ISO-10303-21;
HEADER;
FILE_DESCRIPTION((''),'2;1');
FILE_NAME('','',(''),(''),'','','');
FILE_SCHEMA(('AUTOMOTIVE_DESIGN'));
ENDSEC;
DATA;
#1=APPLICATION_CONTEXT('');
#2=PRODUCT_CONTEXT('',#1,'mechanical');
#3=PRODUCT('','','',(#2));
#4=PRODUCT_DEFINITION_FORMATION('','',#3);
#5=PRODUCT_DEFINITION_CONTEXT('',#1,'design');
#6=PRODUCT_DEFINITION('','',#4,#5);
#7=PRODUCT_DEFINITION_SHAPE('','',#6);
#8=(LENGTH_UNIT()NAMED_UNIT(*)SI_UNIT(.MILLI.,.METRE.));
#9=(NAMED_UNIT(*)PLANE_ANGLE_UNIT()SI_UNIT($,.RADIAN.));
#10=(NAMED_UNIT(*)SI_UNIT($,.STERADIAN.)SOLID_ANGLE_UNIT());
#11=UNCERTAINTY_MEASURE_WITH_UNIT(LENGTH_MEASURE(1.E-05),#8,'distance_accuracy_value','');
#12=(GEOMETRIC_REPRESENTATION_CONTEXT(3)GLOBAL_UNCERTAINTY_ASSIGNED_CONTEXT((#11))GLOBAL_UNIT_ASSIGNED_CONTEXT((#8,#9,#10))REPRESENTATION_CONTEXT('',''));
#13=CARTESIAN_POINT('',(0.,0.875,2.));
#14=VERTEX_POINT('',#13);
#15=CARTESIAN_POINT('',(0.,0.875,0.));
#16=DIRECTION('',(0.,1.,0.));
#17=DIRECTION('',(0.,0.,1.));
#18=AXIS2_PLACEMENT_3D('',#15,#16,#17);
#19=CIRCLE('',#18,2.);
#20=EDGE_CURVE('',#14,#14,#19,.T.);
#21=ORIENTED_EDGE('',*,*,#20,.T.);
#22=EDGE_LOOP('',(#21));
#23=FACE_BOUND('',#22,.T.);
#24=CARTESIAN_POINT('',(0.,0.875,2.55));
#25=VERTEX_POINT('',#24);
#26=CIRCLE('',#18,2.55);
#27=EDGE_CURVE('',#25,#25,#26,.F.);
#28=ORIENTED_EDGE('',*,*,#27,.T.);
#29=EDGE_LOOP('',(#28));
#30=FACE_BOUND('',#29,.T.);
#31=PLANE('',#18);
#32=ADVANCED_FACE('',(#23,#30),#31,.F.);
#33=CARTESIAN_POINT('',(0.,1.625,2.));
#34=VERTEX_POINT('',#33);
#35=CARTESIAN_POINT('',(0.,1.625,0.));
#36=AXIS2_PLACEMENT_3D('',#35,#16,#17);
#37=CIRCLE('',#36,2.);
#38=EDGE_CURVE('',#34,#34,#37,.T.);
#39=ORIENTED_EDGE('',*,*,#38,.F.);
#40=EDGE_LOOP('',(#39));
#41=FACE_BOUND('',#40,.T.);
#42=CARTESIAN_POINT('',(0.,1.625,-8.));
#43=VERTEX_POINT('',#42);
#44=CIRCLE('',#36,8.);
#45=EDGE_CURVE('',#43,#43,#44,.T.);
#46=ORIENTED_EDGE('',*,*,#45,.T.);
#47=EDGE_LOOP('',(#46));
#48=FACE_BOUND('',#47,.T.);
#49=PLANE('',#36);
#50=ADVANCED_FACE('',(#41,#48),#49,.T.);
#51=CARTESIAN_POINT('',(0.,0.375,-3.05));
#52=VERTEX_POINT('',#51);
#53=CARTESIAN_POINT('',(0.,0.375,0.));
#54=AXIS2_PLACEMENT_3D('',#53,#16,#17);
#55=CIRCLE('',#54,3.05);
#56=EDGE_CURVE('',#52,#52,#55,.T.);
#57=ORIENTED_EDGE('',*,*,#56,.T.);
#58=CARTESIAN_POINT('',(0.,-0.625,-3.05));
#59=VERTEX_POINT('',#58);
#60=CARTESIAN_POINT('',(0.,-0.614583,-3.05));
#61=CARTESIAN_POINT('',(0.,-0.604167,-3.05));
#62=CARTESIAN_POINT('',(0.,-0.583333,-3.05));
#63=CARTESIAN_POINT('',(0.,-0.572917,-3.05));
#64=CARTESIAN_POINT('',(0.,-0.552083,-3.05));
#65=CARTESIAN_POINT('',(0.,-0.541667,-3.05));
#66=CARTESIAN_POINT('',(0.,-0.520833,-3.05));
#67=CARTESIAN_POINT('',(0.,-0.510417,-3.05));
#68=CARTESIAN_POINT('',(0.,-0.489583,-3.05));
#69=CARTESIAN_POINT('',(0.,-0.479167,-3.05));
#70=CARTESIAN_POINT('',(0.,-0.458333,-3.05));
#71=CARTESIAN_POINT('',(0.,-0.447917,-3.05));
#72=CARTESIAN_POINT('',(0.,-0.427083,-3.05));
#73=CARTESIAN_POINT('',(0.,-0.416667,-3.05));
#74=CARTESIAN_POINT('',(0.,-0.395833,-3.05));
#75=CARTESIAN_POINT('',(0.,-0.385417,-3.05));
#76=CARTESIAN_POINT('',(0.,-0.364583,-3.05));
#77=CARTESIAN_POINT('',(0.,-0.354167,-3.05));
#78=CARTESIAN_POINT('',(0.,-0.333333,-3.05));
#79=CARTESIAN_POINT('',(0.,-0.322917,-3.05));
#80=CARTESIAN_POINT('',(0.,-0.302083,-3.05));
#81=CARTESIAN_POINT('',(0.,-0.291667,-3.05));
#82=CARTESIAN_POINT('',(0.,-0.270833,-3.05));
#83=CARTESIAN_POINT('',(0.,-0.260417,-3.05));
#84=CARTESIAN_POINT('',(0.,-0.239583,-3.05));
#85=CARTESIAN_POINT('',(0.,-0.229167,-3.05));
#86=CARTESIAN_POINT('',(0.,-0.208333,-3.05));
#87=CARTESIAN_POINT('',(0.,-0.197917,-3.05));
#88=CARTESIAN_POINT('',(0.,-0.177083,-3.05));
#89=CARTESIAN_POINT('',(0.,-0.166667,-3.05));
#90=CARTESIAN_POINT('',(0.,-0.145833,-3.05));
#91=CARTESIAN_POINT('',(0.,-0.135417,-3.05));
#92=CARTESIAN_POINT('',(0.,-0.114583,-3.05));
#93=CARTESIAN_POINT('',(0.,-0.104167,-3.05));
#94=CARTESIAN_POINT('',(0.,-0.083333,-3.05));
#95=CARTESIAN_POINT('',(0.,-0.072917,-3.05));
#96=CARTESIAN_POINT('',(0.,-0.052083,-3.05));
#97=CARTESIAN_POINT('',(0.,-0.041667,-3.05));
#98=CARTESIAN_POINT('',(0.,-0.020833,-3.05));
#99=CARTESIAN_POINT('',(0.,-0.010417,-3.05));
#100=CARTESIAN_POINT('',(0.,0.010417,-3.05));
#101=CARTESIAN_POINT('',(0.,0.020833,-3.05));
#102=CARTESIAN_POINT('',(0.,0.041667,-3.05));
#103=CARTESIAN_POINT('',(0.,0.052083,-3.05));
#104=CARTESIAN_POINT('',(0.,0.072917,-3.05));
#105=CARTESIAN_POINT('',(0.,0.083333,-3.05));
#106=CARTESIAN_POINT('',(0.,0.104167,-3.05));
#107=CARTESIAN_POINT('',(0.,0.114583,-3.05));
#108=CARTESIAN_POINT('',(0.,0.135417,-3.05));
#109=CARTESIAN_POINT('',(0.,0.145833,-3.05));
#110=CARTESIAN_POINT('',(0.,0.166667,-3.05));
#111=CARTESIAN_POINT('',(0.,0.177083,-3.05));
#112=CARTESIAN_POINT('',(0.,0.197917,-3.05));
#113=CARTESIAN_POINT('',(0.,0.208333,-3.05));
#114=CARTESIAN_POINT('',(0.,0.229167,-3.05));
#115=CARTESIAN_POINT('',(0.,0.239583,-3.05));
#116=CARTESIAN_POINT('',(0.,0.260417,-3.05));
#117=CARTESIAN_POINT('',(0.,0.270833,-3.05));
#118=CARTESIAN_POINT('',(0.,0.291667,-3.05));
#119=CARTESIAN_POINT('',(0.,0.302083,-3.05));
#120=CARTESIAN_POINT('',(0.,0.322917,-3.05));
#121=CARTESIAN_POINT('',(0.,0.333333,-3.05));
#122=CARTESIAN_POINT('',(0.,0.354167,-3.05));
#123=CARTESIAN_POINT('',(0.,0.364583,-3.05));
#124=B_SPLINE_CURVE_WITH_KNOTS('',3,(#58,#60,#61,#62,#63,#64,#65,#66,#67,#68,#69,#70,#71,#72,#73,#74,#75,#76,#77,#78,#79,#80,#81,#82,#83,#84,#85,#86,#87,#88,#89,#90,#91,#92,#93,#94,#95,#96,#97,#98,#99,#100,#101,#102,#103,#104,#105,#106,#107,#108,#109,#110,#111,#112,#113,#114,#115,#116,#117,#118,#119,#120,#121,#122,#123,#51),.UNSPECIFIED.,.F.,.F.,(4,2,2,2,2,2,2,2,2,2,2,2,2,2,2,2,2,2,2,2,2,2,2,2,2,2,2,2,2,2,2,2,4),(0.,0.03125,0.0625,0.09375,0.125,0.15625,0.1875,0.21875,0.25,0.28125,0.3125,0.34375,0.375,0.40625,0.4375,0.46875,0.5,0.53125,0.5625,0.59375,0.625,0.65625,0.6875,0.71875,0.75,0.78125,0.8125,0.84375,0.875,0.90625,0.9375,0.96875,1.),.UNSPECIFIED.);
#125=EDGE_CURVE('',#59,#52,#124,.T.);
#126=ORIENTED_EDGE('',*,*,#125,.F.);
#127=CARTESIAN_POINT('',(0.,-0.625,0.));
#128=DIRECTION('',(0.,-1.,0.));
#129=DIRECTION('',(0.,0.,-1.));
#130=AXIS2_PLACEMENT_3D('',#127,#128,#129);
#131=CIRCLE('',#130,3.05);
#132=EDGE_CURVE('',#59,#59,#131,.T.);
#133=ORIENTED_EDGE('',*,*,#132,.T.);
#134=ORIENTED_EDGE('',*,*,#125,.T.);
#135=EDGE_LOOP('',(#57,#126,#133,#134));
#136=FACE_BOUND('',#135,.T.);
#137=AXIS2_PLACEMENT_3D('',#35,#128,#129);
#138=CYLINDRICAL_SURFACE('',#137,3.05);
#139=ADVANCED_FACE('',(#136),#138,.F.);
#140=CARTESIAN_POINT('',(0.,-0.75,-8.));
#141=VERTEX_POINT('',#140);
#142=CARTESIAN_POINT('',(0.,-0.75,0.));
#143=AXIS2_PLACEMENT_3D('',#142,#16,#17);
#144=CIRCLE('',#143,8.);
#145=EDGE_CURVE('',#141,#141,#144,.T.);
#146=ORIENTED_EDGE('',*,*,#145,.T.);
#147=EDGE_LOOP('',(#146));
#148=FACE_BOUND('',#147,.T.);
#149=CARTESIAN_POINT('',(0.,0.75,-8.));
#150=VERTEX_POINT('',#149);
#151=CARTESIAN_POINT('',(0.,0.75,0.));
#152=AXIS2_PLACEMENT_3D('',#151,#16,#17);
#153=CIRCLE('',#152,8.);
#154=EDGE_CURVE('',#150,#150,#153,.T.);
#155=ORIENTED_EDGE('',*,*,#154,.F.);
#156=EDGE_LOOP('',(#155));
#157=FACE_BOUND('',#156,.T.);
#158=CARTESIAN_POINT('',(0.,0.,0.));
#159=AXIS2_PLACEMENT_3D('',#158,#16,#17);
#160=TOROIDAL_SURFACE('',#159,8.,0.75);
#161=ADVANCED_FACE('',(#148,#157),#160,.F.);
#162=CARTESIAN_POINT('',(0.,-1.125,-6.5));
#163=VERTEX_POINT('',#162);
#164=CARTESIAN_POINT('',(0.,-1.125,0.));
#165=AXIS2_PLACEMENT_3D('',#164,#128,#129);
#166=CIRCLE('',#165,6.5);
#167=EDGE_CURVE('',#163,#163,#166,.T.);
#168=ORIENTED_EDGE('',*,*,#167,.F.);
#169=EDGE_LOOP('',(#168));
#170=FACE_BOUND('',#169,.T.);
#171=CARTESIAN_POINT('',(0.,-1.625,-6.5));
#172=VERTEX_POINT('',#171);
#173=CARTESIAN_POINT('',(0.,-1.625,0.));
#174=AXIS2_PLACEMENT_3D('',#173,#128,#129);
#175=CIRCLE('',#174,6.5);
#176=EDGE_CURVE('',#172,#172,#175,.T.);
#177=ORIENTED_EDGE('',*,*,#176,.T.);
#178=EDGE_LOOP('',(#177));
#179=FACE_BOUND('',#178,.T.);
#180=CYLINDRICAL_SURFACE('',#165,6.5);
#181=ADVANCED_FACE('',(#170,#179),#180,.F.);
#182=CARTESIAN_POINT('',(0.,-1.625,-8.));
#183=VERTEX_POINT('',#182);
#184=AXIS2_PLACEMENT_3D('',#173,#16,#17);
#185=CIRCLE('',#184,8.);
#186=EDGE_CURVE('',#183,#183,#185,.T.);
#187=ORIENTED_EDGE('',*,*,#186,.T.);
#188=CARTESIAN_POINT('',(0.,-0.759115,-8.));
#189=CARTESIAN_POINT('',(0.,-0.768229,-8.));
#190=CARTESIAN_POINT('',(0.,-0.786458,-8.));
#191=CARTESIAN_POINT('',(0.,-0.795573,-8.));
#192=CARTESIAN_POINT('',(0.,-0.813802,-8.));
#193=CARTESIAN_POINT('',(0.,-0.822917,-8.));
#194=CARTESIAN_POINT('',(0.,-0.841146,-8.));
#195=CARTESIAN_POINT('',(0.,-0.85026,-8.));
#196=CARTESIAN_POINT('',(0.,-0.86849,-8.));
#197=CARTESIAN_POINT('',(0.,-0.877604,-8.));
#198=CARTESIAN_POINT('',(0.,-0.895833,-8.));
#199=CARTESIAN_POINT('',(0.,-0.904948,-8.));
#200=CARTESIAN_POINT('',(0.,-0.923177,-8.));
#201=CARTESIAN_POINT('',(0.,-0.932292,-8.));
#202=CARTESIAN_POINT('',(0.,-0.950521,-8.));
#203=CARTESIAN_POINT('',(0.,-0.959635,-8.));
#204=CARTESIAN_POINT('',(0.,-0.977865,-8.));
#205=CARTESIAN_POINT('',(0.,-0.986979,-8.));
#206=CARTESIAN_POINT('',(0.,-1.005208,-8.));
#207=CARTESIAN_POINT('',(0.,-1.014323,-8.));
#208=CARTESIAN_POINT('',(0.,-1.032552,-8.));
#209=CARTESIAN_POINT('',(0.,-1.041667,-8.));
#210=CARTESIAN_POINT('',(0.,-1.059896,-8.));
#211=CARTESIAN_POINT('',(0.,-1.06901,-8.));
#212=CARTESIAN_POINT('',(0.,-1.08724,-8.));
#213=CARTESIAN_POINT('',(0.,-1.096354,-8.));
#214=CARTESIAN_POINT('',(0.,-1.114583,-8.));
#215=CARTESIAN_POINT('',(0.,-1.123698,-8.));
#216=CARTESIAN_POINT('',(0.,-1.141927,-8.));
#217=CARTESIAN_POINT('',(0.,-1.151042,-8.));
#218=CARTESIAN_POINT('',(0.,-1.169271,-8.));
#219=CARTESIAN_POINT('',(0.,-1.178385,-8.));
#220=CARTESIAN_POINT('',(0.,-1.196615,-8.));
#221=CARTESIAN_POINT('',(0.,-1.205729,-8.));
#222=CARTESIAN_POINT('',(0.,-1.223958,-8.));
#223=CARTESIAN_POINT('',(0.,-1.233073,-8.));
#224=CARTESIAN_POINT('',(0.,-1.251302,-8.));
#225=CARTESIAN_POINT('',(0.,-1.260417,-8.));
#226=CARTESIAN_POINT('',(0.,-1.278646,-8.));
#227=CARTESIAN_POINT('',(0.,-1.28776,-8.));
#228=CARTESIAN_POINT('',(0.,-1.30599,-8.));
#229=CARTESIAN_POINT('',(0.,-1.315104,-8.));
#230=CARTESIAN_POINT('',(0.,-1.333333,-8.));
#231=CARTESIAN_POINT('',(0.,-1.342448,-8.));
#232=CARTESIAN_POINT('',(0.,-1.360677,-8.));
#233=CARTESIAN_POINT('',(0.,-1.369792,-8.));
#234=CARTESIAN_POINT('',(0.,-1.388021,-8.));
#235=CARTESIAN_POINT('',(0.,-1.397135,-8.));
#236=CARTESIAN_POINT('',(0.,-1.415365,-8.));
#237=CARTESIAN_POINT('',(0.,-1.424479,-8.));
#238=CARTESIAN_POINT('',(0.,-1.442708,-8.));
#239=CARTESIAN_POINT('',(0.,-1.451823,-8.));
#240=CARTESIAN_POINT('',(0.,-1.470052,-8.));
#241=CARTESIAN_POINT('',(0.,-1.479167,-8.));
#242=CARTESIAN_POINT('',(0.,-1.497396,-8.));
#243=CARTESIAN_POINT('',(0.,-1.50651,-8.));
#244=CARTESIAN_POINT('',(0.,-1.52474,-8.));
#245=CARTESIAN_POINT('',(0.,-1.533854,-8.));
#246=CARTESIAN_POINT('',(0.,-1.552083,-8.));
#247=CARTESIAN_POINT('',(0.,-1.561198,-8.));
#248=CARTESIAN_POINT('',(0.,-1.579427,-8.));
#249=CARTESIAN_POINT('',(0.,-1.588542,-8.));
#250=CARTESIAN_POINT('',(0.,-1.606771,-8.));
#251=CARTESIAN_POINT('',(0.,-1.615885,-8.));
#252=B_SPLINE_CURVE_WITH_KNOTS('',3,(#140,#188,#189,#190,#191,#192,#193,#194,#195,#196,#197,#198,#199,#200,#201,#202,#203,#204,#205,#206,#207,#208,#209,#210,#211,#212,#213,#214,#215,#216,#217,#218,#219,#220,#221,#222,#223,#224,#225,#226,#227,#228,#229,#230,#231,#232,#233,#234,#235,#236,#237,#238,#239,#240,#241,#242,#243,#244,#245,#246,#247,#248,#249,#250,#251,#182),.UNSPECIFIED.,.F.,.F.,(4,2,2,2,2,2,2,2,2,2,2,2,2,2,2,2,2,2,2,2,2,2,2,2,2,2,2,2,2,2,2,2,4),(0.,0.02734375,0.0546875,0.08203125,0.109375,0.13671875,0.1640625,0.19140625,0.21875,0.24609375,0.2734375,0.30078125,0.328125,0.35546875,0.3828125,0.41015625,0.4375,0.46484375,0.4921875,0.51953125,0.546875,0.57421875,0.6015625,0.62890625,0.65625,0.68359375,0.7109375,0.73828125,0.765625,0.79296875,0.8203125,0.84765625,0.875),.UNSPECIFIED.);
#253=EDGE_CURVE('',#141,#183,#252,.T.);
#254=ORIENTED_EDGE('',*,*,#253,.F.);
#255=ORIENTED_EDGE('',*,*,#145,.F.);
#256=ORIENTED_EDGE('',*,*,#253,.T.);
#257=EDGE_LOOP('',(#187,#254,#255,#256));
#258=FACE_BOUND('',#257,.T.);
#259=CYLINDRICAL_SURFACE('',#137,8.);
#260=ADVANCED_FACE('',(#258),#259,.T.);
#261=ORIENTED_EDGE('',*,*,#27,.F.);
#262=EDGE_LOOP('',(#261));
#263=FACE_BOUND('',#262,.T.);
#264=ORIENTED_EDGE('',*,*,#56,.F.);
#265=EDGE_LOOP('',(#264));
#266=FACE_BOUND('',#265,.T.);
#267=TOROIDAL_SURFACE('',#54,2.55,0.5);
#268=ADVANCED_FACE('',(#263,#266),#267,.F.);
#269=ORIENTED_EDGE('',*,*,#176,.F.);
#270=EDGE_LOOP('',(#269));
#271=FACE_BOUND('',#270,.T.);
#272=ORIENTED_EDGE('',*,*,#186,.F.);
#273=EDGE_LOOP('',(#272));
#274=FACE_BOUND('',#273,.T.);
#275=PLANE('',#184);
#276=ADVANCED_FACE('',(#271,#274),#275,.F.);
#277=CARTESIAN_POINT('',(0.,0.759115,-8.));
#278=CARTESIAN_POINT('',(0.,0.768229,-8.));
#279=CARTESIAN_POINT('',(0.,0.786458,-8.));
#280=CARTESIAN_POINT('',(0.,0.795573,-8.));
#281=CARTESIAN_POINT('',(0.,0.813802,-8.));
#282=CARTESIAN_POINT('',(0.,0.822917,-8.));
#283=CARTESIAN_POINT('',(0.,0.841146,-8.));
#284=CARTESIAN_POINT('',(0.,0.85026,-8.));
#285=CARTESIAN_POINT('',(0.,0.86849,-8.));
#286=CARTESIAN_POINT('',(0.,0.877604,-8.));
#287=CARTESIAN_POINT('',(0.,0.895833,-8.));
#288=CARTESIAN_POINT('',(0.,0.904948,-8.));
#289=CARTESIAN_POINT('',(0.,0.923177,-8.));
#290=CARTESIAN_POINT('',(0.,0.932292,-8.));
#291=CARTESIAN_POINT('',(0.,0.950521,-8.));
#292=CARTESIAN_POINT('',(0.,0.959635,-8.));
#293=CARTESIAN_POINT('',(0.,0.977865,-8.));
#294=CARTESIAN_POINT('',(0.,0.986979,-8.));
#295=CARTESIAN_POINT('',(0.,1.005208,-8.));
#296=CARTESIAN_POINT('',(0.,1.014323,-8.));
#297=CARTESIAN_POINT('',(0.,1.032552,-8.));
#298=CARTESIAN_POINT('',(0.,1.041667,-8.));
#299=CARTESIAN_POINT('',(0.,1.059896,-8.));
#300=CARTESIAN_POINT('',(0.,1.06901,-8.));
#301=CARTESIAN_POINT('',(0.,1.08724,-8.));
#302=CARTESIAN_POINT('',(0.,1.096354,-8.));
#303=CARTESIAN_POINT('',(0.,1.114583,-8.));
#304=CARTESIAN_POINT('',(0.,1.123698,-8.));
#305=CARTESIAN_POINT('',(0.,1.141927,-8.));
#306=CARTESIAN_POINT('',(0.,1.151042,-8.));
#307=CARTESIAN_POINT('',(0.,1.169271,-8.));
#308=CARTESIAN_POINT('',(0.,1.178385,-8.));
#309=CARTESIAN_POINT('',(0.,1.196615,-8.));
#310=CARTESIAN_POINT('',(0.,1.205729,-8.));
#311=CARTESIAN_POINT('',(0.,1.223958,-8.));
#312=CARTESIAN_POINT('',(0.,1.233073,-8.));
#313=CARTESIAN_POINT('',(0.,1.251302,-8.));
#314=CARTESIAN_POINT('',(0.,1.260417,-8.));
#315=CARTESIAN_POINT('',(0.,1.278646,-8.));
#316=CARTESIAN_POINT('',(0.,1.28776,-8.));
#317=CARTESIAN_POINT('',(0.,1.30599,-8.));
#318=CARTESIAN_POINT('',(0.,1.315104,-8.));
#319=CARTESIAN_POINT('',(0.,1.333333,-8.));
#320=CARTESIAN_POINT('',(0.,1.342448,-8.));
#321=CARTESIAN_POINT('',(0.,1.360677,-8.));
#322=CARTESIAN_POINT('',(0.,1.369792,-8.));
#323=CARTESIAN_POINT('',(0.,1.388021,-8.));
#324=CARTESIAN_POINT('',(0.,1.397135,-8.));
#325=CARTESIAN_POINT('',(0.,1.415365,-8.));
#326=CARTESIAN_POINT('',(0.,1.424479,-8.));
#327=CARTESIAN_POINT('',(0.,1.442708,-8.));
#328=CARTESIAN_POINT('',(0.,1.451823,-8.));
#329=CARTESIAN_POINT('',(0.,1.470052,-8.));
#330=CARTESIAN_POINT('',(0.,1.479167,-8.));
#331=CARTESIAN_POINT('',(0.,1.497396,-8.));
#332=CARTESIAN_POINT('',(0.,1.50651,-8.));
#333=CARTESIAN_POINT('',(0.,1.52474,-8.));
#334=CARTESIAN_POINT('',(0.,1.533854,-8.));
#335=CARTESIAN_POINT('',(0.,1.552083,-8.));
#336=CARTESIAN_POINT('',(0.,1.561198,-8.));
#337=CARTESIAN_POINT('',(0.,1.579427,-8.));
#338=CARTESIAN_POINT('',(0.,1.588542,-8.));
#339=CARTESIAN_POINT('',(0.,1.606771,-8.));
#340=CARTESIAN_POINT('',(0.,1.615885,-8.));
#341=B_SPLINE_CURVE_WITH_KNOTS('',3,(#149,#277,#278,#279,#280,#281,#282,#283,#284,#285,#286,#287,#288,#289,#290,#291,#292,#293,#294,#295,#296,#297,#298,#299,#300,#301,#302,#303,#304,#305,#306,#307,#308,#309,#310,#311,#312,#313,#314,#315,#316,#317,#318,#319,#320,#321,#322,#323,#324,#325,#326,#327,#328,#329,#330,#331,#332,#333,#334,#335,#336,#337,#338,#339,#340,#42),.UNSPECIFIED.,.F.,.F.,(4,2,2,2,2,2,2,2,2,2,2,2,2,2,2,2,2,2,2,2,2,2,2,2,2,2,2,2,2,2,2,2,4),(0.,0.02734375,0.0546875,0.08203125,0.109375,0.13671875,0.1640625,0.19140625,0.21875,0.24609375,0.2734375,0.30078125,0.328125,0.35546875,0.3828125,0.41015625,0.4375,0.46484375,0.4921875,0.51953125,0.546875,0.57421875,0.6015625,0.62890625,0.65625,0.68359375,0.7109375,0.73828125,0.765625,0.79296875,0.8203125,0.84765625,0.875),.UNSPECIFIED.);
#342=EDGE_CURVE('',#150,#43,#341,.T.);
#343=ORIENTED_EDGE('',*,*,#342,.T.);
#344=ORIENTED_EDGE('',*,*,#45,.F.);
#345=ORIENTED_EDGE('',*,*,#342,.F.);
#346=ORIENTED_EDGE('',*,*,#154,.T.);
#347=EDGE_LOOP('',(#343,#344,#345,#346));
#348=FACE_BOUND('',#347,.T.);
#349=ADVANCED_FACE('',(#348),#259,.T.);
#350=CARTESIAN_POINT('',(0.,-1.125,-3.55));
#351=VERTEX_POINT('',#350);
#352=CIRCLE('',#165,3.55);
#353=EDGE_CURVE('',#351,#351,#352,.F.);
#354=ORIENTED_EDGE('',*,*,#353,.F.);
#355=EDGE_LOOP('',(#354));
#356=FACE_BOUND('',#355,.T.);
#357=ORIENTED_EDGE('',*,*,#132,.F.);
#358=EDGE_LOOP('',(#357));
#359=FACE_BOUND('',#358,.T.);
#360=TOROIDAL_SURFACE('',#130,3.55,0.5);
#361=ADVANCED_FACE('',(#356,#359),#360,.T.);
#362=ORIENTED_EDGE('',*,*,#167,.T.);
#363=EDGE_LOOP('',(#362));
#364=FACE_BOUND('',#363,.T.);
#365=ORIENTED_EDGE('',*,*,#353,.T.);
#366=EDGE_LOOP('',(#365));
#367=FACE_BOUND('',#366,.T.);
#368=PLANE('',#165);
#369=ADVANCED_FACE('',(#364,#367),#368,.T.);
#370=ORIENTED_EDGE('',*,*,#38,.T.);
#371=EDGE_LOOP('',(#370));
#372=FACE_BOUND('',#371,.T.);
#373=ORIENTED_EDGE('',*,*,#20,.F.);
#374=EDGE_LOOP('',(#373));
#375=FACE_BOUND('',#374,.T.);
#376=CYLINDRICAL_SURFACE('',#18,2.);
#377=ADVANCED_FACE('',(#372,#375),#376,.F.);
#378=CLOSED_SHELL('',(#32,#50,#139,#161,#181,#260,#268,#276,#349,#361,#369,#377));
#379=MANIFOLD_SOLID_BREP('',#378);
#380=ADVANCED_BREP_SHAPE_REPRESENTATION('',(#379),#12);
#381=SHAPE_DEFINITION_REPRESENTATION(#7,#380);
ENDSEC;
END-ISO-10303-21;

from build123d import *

# Parameters (mm, degrees)
SKETCH1_R           = 8
SKETCH1_R_2         = 3.05
BOSS_EXTRUDE1_DEPTH = 1.625
SKETCH3_R           = 3.5
SKETCH3_R_2         = 2
BOSS_EXTRUDE2_DEPTH = 0.75
SKETCH4_R           = 6.5
SKETCH4_R_2         = 3
CUT_EXTRUDE1_DEPTH  = 0.5
FILLET1_R           = 0.5


with BuildPart() as part:
    # Sketch1 → Boss-Extrude1 (new, symmetric)
    with BuildSketch(Plane(origin=(0, 0, 0), x_dir=(1, 0, 0), z_dir=(0, 1, 0))):
        with Locations(Location((0, 0, 0), (0, 0, 90))):
            Circle(SKETCH1_R)
        with Locations(Location((0, 0, 0), (0, 0, 90))):
            Circle(SKETCH1_R_2, mode=Mode.SUBTRACT)
    extrude(amount=BOSS_EXTRUDE1_DEPTH, both=True)

    # Sketch2 → Cut-Revolve1 (revolve, cut)
    with BuildSketch(Plane(origin=(0, 0, 0), x_dir=(0, 0, -1), z_dir=(1, 0, 0)), mode=Mode.PRIVATE) as cut_revolve1_sk:
        with BuildLine():
            Line((-8, 0.75), (-8, -0.75))
            ThreePointArc((-8, -0.75), (-7.25, 0), (-8, 0.75))
        make_face()
    revolve(cut_revolve1_sk.sketch.rotate(Axis((0, 1.625, 0), (0, -1, 0)), 180), axis=Axis((0, 1.625, 0), (0, -1, 0)), mode=Mode.SUBTRACT)

    # Sketch3 → Boss-Extrude2 (add)
    with BuildSketch(Plane(origin=(0, 1.625, 0), x_dir=(1, 0, 0), z_dir=(0, 1, 0))):
        Circle(SKETCH3_R)
        with Locations(Location((0, 0, 0), (0, 0, 270))):
            Circle(SKETCH3_R_2, mode=Mode.SUBTRACT)
    extrude(amount=-BOSS_EXTRUDE2_DEPTH)

    # Sketch4 → Cut-Extrude1 (cut)
    with BuildSketch(Plane.XZ.offset(1.625)):
        with Locations(Location((0, 0, 0), (0, 0, 270))):
            Circle(SKETCH4_R)
        Circle(SKETCH4_R_2, mode=Mode.SUBTRACT)
    extrude(amount=-CUT_EXTRUDE1_DEPTH, mode=Mode.SUBTRACT)

    # Fillet1
    fillet1_edges = [part.edges().sort_by_distance(p)[0] for p in [
        (0, 0.875, 3.05),
        (0, -1.125, 3.05),
    ]]
    fillet(fillet1_edges, radius=FILLET1_R)


solid = part.part
